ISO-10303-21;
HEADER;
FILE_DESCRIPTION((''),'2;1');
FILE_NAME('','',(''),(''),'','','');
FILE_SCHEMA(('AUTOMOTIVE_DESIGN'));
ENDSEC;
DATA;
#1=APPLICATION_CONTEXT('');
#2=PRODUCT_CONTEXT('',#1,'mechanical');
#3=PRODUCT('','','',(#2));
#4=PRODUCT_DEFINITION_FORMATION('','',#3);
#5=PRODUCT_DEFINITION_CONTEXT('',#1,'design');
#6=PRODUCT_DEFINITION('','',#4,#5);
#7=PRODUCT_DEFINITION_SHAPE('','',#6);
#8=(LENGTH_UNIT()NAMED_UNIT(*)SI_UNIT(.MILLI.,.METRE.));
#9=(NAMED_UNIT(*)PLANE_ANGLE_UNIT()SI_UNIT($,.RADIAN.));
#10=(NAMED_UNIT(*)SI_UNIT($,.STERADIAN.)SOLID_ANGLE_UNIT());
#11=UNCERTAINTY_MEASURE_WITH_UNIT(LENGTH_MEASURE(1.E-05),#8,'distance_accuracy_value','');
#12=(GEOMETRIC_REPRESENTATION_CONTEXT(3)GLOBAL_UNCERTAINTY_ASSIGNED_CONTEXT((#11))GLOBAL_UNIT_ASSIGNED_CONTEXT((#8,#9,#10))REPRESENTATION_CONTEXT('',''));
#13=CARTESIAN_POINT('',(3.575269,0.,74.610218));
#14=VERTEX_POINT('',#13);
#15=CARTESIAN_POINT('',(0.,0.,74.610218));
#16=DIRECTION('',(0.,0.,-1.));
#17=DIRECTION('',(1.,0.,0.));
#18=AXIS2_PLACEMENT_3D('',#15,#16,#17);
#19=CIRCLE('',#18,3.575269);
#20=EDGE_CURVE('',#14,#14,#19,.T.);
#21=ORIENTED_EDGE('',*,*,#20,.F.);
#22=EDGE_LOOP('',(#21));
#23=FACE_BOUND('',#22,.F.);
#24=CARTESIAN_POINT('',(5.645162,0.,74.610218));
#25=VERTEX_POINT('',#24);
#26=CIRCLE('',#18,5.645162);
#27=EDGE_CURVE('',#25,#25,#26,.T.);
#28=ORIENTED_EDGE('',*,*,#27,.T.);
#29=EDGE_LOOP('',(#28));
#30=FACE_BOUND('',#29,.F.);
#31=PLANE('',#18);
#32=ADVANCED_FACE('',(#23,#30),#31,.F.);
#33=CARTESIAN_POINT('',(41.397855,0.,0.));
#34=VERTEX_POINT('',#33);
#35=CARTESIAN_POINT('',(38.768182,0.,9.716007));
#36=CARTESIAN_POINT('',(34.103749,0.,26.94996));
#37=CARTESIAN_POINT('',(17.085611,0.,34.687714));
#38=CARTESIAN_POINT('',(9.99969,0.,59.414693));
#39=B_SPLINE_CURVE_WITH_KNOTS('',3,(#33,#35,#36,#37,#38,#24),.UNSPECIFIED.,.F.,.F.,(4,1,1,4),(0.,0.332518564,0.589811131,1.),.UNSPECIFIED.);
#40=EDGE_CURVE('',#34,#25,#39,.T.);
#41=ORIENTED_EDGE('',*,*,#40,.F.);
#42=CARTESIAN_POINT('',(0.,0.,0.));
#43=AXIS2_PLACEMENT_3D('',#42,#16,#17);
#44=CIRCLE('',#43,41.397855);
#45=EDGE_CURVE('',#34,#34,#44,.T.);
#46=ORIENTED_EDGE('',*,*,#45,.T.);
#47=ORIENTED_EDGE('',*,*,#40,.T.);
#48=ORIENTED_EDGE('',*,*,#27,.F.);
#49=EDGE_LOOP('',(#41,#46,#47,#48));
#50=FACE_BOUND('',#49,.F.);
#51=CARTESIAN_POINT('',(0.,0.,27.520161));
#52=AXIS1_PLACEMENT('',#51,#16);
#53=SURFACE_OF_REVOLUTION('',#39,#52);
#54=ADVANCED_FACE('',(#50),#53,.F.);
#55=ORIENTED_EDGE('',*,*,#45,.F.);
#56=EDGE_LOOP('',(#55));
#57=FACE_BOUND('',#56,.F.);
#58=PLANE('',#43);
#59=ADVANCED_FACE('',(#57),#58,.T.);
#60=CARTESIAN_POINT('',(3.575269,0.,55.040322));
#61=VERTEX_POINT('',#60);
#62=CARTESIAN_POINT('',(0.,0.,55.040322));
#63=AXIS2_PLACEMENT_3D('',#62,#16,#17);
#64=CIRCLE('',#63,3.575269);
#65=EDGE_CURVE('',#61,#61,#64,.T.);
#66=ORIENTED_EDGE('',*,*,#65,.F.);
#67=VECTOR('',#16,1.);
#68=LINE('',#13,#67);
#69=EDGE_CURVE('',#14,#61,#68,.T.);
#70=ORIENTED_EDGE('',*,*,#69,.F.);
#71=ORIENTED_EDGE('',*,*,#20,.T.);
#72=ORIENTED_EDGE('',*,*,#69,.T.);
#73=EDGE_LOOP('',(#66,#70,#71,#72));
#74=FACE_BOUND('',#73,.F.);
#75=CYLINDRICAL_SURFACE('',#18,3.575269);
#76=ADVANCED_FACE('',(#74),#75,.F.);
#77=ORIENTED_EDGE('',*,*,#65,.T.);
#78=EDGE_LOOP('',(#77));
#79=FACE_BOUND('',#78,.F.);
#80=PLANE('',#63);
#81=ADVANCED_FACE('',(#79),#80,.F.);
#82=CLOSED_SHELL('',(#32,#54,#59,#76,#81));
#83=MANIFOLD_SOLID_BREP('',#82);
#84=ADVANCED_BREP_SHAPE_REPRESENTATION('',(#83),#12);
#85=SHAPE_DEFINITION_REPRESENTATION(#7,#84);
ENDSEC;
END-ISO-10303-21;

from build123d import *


with BuildPart() as f1:
    # F0 (on Front) → F1 (revolve)
    with BuildSketch(Plane.XZ):
        with BuildLine():
            Line((0, 55.0403222442), (0, 0))
            Line((0, 0), (41.3978546858, 0))
            add(Edge.make_bspline(
                [(41.3978546858, 0), (38.7681818053, 9.7160074059), (34.1037494872, 26.949960451), (17.0856109548, 34.6877138481), (9.9996896117, 59.41469255), (5.6451624259, 74.6102184057)],
                knots=[0, 0, 0, 0, 0.3325185641, 0.5898111314, 1, 1, 1, 1], degree=3))
            Line((5.6451624259, 74.6102184057), (3.5752691329, 74.6102184057))
            Line((3.5752691329, 74.6102184057), (3.5752691329, 55.0403222442))
            Line((3.5752691329, 55.0403222442), (0, 55.0403222442))
        make_face()
    revolve(axis=Axis((0, 0, 27.5201611221), (0, 0, -1)))


solid = f1.part
